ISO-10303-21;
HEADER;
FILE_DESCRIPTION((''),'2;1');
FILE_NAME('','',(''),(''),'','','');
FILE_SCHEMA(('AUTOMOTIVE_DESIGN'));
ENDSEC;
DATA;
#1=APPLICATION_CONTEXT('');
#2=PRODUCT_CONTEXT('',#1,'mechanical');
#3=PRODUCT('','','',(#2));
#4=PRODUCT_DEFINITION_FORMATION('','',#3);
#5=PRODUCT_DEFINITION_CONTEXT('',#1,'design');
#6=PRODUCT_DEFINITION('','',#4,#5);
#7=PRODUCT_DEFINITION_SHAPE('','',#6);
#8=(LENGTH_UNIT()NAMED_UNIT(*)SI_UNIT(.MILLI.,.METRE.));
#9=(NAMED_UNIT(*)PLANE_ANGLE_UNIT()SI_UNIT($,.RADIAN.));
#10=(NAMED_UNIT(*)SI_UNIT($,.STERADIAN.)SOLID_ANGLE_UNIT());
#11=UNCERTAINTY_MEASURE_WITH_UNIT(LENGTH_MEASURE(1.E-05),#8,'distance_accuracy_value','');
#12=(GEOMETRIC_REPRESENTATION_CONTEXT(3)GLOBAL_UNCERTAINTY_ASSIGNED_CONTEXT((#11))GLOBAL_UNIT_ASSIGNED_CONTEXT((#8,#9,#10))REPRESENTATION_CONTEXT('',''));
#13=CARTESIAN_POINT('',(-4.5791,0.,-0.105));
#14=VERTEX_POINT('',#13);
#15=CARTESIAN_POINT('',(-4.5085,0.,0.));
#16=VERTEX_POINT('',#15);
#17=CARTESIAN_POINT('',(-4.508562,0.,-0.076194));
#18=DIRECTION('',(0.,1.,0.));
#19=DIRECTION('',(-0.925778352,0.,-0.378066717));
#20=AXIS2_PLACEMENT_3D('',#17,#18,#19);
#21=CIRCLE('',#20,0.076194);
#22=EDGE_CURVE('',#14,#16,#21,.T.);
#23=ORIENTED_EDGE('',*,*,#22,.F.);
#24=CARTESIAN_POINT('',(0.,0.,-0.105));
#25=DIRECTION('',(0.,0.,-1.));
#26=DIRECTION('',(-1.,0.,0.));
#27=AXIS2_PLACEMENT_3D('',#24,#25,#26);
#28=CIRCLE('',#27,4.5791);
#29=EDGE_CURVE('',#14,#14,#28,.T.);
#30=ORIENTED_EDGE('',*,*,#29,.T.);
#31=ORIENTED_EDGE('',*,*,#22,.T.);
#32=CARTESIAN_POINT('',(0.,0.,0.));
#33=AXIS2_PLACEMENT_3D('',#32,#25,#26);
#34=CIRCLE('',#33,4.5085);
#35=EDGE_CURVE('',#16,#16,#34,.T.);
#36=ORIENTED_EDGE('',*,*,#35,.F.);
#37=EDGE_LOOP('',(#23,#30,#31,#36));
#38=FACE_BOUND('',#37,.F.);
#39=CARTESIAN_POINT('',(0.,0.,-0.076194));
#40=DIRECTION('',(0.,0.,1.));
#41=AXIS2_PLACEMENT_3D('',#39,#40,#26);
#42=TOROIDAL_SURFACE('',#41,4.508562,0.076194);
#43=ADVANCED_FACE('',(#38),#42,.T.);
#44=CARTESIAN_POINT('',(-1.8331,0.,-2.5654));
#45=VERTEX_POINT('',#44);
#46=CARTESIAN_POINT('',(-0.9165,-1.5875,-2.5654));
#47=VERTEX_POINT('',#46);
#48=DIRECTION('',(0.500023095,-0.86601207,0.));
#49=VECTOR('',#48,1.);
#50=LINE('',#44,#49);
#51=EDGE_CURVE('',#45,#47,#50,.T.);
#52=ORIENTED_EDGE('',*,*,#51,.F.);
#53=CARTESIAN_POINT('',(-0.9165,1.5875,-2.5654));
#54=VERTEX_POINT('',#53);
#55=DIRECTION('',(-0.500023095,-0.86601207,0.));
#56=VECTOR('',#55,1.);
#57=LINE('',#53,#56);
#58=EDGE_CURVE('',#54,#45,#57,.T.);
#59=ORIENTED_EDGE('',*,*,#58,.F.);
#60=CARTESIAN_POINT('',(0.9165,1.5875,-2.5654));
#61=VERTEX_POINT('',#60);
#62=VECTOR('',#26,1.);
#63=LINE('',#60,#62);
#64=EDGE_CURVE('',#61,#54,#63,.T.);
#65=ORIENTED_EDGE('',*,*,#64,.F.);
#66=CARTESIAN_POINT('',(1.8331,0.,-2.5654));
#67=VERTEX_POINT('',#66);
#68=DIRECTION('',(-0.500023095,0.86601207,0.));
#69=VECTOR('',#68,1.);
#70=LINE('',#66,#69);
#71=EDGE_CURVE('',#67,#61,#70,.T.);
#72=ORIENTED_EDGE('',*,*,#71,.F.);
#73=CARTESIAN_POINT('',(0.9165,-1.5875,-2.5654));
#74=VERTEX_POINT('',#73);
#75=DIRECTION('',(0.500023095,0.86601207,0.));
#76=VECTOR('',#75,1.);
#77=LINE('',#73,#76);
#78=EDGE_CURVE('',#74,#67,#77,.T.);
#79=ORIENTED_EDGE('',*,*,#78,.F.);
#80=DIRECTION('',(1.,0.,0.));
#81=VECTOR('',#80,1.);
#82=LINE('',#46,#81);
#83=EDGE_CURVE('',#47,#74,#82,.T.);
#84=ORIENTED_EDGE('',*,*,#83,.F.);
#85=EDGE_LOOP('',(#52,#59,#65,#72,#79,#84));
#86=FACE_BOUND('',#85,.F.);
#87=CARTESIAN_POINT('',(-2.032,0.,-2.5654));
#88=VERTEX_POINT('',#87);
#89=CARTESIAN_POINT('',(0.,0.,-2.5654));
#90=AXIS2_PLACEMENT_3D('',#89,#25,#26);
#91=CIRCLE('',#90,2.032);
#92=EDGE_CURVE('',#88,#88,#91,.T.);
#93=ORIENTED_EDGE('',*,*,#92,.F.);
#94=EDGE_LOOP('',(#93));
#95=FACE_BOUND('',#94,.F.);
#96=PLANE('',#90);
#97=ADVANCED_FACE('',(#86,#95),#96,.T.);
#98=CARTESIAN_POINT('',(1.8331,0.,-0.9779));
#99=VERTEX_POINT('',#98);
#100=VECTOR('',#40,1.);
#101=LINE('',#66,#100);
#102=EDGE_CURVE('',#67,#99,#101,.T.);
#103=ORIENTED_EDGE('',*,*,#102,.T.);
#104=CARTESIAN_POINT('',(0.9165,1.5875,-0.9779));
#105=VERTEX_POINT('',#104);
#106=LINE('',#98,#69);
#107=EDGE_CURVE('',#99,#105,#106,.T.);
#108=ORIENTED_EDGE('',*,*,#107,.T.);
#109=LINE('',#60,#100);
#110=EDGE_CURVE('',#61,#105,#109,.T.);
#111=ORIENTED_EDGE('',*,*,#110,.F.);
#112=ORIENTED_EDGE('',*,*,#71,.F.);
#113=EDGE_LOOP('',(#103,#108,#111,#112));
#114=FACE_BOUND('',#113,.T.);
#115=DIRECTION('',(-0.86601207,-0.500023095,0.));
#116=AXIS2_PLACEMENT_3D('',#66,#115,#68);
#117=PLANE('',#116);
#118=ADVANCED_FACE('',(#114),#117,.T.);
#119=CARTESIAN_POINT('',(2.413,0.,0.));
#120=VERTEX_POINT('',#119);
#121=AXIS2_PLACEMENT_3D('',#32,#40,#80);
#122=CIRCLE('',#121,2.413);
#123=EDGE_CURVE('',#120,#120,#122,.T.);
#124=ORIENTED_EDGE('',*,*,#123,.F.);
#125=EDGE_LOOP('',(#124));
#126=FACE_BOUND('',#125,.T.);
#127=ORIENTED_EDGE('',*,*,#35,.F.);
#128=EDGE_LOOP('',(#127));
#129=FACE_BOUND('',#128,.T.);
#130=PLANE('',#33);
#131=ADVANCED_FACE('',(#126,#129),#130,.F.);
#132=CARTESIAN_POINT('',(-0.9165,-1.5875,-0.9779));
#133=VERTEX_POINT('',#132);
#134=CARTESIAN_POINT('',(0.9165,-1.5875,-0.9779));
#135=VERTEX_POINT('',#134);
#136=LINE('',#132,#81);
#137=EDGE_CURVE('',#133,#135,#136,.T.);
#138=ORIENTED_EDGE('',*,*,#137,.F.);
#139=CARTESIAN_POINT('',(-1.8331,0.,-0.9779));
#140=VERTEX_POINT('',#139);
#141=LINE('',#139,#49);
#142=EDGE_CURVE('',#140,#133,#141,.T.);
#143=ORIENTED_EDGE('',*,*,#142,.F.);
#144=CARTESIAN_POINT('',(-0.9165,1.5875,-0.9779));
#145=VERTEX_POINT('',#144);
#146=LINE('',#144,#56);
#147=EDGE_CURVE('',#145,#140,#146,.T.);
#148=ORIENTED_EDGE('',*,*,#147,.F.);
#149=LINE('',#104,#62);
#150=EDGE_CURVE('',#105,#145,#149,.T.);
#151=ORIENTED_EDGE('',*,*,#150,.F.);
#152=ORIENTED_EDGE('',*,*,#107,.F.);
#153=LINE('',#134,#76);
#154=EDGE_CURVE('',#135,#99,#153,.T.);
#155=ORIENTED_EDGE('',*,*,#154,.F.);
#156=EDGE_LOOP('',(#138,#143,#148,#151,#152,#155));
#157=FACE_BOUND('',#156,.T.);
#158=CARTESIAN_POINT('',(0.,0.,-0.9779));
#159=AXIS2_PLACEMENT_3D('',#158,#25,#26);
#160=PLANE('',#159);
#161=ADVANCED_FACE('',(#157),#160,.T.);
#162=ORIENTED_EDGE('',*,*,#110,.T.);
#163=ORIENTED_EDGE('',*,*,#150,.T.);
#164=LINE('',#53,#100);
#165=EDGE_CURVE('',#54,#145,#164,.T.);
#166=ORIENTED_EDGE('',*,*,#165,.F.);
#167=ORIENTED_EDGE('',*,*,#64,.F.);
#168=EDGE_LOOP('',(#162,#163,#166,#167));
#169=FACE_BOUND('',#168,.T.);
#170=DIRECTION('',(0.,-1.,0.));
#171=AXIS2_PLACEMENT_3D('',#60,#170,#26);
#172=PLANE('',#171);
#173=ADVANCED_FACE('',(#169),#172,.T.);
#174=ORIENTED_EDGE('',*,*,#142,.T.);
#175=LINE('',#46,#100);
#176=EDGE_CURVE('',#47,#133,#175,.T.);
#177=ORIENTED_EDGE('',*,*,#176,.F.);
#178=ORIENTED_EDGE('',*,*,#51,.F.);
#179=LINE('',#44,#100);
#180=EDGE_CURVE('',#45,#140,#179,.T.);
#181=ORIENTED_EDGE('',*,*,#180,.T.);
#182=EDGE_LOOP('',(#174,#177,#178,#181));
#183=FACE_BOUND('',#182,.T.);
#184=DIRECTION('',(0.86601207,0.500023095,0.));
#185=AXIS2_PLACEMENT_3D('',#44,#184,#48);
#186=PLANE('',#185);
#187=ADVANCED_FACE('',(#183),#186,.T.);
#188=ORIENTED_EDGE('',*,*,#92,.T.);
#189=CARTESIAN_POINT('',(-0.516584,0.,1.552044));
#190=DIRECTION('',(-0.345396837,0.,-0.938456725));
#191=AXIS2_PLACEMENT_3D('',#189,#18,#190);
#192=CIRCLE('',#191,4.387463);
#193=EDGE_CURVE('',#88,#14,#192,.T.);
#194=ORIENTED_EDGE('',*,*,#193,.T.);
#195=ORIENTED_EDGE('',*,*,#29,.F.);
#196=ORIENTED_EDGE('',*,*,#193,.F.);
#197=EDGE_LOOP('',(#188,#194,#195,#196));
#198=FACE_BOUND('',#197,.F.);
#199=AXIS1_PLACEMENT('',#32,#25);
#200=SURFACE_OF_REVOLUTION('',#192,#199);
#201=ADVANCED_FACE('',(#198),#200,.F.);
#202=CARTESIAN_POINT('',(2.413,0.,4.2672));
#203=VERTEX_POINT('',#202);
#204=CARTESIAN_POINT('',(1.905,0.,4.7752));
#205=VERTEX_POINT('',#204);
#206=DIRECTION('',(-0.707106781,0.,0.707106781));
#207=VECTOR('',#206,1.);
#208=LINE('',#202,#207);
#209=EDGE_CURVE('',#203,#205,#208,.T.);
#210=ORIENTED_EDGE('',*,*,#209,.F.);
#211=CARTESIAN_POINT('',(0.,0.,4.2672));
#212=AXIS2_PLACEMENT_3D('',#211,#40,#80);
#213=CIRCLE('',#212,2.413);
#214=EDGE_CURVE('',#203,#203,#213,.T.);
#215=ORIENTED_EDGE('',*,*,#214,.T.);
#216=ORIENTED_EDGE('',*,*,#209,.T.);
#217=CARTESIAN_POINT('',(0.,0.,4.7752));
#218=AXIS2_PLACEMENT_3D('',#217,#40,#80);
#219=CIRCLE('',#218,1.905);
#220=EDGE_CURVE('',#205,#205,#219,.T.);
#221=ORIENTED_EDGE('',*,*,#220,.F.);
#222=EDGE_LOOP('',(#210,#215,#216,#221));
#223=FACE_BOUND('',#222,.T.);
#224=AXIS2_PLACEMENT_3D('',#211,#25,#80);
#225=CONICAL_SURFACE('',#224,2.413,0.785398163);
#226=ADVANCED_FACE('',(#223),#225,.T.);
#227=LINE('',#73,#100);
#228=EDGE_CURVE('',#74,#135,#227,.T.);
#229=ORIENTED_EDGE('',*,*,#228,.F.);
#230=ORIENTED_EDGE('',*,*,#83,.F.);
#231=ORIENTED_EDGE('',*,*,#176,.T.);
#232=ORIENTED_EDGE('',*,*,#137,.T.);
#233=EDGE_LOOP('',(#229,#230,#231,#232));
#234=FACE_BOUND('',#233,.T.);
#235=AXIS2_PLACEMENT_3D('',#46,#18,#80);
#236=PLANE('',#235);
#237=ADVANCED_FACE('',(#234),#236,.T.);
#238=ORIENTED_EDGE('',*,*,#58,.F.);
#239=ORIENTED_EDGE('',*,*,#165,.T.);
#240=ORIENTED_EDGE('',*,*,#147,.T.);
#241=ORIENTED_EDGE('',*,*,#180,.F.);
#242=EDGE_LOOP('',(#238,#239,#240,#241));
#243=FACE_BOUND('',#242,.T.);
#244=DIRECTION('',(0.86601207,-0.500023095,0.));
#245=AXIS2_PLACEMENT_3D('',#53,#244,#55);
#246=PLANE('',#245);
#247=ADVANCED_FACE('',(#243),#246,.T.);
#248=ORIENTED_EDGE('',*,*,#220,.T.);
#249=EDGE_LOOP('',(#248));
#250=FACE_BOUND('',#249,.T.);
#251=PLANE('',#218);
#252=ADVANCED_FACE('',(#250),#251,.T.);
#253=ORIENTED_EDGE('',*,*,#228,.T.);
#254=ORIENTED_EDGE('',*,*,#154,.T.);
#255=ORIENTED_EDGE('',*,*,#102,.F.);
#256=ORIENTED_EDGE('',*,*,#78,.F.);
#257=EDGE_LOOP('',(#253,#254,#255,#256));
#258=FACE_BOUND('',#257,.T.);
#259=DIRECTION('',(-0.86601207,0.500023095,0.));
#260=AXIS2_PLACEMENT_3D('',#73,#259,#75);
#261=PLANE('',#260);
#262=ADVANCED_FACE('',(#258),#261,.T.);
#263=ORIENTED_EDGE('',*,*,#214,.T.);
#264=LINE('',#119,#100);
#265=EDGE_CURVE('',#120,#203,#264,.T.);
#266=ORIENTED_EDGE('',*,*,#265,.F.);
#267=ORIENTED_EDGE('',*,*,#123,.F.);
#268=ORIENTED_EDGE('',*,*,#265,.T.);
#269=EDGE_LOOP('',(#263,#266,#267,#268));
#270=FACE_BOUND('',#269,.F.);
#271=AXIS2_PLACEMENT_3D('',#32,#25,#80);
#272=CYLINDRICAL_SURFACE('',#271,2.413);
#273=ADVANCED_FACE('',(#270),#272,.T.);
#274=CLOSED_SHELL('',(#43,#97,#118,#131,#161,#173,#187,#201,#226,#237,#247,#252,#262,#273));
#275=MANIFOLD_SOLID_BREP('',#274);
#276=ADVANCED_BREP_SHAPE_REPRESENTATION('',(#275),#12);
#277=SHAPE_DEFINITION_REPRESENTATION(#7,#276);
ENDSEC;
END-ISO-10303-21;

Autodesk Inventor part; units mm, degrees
ref_plane "YZ Plane" through (0, 0, 0) normal (1, 0, 0) x (0, 1, 0)
ref_plane "XZ Plane" through (0, 0, 0) normal (0, 1, 0) x (-1, 0, 0)
ref_plane "XY Plane" through (0, 0, 0) normal (0, 0, 1) x (1, 0, 0)
sketch "Sketch1" plane through (0, 0, 0) normal (0, 0, 1) x (1, 0, 0)
  circle A0 centre (0, 0) radius 2.413
  dimension "d0" = 4.826
extrude "Extrusion1" add sketch "Sketch1" along normal blind 4.7752
sketch "Sketch2" plane through (0, 0, 0) normal (0, 1, 0) x (-1, 0, 0)
  line L0 (0, 0) -> (0, -2.5654)
  line L1 (0, 0) -> (4.5085, 0)
  line L2 (0, -2.5654) -> (2.032, -2.5654)
  line L3 (4.5085, 0) -> (4.5085, 4.071) construction
  arc A0 (4.5791, -0.105) -> (4.5085, 0) centre (4.5085, -0.0762) ccw
  arc A1 (2.032, -2.5654) -> (4.5791, -0.105) centre (0.5168, 1.5517) ccw
  line L4 (4.5847, 0.6553) -> (4.5847, -0.0762) construction
  dimension "d3" = 2.5654
  dimension "d6" = 2.032
  dimension "d12" = 4.5847
  dimension "d18" = 0.0762
revolve "Revolution1" add sketch "Sketch2" angle 360 about axis through (0, 0, 0) along (0, 0, -1)
sketch "Sketch3" plane through (0, 0, -2.5654) normal (0, 0, -1) x (-1, 0, 0)
  circle A0 centre (0, 0) radius 2.032 projected
  line L0 (-0.9165, 1.5875) -> (0.9165, 1.5875)
  line L1 (0.9165, 1.5875) -> (1.8331, 0)
  line L2 (1.8331, 0) -> (0.9165, -1.5875)
  line L3 (0.9165, -1.5875) -> (-0.9165, -1.5875)
  line L4 (-0.9165, -1.5875) -> (-1.8331, 0)
  line L5 (-1.8331, 0) -> (-0.9165, 1.5875)
  dimension "d8" = 3.175
extrude "Extrusion2" cut sketch "Sketch3" against normal blind 1.5875 contours L0 L1 L2 L3 L4 L5
chamfer "Chamfer1" distance 0.508 angle 45 1 edges at (-2.413, 0, 4.7752)
thread "Thread1" size "10-32 UNF" class "2A" standard "ANSI Unified Screw Threads" full length
properties part number "10-32 BHCS x375" material "Steel"
